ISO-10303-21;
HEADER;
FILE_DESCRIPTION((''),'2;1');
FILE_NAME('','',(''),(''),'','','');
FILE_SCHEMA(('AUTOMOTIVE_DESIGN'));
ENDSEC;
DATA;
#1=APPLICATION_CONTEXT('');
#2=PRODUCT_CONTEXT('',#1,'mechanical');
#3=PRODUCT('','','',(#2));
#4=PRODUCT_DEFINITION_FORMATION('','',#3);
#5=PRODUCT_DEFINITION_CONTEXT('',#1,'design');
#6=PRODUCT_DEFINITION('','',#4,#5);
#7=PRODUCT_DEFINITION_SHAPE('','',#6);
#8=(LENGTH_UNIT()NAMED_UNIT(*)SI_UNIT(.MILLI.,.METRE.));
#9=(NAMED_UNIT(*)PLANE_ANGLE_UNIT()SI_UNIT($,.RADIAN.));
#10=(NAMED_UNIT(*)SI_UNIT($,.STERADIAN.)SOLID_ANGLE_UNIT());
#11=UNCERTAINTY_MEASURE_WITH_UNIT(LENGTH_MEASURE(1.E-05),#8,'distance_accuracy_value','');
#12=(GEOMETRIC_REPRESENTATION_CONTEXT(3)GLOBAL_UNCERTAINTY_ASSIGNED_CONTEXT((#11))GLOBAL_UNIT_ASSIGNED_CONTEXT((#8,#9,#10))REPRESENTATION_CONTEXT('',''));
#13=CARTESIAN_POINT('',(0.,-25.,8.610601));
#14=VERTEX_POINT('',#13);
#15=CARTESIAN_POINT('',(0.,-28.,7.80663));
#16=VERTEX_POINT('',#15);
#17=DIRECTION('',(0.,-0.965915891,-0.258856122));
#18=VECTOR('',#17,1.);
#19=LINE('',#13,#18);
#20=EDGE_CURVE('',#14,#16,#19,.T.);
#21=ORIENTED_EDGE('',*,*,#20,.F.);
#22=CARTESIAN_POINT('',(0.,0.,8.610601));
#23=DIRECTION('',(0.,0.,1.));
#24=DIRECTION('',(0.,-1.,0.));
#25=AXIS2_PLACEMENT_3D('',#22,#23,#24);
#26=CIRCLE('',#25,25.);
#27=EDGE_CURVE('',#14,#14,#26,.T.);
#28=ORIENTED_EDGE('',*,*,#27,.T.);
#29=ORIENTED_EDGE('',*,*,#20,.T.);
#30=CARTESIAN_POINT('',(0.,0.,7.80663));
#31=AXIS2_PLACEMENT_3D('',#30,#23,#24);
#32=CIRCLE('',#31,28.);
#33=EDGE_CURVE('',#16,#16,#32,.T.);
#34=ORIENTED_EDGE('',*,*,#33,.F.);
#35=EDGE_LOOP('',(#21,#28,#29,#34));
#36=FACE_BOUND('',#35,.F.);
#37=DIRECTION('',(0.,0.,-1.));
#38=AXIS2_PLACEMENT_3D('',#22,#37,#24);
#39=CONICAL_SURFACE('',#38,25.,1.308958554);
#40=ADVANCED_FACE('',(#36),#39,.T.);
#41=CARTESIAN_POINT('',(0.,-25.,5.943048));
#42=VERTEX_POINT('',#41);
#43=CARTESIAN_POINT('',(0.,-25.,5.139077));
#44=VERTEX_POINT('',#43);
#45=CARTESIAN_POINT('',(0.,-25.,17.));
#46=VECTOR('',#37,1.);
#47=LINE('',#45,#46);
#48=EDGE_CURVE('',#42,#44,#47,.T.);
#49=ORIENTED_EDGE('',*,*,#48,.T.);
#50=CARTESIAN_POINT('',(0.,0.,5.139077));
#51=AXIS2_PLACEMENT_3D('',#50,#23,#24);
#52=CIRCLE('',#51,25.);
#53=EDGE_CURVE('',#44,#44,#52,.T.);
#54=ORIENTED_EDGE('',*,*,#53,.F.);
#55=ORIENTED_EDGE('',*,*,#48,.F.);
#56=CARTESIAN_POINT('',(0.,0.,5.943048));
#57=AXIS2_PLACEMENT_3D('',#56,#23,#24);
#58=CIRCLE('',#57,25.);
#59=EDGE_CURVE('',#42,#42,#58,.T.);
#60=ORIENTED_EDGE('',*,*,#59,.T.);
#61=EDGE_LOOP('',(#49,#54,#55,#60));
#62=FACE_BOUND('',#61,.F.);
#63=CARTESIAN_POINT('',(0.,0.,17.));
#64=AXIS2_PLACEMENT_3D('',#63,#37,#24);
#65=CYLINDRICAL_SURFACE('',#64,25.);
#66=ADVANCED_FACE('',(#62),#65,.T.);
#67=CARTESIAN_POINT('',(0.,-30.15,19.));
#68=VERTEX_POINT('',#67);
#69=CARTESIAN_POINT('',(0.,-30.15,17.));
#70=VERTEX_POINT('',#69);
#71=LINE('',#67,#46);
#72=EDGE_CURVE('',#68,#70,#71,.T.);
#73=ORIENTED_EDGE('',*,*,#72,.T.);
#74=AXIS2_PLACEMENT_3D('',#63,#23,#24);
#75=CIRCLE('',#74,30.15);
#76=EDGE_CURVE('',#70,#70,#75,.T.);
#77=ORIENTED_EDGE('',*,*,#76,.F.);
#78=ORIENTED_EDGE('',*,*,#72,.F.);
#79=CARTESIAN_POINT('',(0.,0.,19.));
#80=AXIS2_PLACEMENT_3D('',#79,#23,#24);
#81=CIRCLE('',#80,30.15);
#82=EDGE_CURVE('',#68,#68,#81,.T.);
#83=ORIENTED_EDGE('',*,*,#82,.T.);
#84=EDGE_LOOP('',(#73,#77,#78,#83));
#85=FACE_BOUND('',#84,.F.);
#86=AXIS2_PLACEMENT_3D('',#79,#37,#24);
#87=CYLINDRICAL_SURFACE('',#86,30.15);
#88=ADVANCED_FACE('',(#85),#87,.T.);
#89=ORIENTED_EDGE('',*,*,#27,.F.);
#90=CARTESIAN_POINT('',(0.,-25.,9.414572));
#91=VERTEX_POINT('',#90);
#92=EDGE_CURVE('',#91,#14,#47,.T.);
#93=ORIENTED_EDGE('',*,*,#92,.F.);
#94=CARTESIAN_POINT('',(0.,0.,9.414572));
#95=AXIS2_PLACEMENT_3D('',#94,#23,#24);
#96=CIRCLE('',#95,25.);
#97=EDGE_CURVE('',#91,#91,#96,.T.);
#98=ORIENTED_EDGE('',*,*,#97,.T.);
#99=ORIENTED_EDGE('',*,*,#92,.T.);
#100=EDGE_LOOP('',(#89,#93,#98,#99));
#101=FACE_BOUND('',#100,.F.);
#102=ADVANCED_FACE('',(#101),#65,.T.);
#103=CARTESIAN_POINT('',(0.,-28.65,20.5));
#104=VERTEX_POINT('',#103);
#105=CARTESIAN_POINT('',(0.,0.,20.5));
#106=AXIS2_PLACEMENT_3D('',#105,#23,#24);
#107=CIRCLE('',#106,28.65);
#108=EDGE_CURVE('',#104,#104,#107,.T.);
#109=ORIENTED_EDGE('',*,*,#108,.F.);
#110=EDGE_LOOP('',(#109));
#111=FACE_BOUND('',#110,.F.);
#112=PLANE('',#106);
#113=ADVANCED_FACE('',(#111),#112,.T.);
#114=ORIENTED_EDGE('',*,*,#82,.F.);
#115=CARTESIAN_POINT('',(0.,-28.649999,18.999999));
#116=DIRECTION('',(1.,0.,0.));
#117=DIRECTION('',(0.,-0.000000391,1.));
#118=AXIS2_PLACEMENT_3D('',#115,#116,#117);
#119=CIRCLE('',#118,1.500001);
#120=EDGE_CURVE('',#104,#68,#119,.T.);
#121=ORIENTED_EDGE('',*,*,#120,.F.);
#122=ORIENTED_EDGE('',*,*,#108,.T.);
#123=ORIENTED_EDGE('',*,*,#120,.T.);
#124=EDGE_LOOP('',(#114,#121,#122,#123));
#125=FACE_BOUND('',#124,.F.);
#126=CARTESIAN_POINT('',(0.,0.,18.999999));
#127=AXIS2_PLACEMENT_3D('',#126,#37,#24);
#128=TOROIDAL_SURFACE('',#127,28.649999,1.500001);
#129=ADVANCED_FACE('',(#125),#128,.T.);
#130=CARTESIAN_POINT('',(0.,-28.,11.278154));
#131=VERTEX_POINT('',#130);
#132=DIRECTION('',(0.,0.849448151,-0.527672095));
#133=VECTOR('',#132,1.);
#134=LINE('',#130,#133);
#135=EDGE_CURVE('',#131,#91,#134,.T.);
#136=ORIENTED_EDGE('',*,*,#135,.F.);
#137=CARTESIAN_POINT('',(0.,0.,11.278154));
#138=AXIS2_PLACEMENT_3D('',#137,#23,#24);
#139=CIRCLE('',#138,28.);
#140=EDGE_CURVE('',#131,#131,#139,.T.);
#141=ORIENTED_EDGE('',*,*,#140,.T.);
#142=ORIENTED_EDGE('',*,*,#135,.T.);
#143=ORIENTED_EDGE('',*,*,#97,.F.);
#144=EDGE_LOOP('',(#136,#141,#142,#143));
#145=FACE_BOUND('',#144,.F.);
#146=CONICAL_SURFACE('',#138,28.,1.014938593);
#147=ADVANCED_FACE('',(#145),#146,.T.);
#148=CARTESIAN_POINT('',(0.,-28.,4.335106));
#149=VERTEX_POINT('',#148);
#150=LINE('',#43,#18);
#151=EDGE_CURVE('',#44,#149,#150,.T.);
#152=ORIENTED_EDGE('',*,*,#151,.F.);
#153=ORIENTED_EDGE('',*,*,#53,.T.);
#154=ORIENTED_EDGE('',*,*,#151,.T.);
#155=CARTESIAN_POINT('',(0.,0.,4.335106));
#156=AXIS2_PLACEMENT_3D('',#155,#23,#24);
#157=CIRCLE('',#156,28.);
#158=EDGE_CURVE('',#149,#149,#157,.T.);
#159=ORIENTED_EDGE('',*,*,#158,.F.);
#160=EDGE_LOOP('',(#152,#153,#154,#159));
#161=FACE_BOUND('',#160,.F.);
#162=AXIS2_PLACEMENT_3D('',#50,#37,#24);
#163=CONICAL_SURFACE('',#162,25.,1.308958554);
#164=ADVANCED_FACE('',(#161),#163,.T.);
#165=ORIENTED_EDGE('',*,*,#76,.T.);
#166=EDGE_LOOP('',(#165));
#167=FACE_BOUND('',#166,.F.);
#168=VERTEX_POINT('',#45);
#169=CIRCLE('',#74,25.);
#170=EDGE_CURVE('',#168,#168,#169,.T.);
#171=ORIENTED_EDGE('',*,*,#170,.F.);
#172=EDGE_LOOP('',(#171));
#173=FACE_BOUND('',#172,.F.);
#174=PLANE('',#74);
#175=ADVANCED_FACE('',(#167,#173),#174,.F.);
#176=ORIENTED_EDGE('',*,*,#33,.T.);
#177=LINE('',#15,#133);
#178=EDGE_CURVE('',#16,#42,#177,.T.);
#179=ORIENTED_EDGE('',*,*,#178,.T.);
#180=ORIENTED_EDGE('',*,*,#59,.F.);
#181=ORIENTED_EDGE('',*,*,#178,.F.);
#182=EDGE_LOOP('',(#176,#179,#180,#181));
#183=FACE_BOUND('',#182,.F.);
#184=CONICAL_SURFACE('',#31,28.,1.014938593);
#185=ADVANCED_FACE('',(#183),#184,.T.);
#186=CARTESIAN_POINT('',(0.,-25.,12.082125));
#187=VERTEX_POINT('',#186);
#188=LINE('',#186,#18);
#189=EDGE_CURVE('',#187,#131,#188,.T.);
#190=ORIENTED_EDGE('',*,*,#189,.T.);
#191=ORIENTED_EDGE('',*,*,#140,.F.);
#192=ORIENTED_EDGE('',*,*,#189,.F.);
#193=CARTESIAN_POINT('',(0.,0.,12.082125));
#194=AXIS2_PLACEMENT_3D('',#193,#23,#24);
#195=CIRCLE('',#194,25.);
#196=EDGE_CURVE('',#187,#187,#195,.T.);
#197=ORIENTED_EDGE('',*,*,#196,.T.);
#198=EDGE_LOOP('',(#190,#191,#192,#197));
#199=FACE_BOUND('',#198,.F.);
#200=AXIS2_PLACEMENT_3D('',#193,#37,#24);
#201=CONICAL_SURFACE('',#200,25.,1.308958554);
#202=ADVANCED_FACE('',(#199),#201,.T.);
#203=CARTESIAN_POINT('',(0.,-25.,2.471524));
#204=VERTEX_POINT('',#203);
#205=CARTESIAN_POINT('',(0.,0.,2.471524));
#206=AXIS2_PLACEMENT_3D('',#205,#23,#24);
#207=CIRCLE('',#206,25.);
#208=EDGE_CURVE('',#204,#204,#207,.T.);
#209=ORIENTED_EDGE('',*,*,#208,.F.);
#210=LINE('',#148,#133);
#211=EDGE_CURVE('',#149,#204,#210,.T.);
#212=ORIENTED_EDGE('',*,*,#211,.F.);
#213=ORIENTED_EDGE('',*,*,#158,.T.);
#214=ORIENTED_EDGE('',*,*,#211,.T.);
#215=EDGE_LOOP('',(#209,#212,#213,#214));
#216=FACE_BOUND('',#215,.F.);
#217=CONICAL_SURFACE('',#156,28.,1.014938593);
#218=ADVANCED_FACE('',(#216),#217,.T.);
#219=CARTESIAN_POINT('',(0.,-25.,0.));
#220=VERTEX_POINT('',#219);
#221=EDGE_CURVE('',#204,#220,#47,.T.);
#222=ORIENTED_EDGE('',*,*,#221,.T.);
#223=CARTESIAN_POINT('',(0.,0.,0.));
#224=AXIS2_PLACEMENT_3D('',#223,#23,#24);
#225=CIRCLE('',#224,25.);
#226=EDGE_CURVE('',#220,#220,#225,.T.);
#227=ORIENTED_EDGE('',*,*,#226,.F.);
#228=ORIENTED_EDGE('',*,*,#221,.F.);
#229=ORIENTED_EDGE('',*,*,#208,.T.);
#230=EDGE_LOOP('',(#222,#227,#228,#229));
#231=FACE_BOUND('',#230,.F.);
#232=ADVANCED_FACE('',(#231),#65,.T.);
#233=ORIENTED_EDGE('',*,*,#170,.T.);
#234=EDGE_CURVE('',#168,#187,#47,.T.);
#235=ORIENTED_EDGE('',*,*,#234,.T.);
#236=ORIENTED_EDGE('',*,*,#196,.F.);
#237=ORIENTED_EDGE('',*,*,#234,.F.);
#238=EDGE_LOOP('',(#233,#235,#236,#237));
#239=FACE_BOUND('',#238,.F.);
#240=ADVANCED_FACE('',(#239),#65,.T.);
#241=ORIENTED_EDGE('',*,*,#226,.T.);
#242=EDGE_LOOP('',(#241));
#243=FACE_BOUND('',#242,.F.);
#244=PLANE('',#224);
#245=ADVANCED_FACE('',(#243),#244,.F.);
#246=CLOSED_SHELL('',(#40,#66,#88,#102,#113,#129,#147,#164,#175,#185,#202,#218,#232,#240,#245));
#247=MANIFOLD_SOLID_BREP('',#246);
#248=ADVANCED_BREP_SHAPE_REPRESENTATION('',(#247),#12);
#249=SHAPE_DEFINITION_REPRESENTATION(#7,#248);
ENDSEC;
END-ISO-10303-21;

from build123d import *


with BuildPart() as f1:
    # F0 (on Right) → F1 (revolve)
    with BuildSketch(Plane.YZ):
        Polygon((-25, 11.278154), (-25, 12.082125), (-28, 11.278154), align=None)
        with BuildLine():
            Line((0, 0), (0, 20.5))
            Line((0, 20.5), (-28.65, 20.5))
            ThreePointArc((-28.65, 20.5), (-29.71066, 20.06066), (-30.15, 19))
            Line((-30.15, 19), (-30.15, 17))
            Line((-30.15, 17), (-25, 17))
            Line((-25, 17), (-25, 12.082125))
            Line((-25, 12.082125), (-25, 11.278154))
            Line((-25, 11.278154), (-25, 9.414572))
            Line((-25, 9.414572), (-25, 8.610601))
            Line((-25, 8.610601), (-25, 7.80663))
            Line((-25, 7.80663), (-25, 5.943048))
            Line((-25, 5.943048), (-25, 5.139077))
            Line((-25, 5.139077), (-25, 4.335106))
            Line((-25, 4.335106), (-25, 2.471524))
            Line((-25, 2.471524), (-25, 0))
            Line((-25, 0), (0, 0))
        make_face()
        Polygon((-28, 4.335106), (-25, 2.471524), (-25, 4.335106), align=None)
        Polygon((-28, 7.80663), (-25, 7.80663), (-25, 8.610601), align=None)
        Polygon((-25, 9.414572), (-25, 11.278154), (-28, 11.278154), align=None)
        Polygon((-28, 4.335106), (-25, 4.335106), (-25, 5.139077), align=None)
        Polygon((-28, 7.80663), (-25, 5.943048), (-25, 7.80663), align=None)
    revolve(axis=Axis((0, 0, 10.25), (0, 0, 1)))


solid = f1.part
